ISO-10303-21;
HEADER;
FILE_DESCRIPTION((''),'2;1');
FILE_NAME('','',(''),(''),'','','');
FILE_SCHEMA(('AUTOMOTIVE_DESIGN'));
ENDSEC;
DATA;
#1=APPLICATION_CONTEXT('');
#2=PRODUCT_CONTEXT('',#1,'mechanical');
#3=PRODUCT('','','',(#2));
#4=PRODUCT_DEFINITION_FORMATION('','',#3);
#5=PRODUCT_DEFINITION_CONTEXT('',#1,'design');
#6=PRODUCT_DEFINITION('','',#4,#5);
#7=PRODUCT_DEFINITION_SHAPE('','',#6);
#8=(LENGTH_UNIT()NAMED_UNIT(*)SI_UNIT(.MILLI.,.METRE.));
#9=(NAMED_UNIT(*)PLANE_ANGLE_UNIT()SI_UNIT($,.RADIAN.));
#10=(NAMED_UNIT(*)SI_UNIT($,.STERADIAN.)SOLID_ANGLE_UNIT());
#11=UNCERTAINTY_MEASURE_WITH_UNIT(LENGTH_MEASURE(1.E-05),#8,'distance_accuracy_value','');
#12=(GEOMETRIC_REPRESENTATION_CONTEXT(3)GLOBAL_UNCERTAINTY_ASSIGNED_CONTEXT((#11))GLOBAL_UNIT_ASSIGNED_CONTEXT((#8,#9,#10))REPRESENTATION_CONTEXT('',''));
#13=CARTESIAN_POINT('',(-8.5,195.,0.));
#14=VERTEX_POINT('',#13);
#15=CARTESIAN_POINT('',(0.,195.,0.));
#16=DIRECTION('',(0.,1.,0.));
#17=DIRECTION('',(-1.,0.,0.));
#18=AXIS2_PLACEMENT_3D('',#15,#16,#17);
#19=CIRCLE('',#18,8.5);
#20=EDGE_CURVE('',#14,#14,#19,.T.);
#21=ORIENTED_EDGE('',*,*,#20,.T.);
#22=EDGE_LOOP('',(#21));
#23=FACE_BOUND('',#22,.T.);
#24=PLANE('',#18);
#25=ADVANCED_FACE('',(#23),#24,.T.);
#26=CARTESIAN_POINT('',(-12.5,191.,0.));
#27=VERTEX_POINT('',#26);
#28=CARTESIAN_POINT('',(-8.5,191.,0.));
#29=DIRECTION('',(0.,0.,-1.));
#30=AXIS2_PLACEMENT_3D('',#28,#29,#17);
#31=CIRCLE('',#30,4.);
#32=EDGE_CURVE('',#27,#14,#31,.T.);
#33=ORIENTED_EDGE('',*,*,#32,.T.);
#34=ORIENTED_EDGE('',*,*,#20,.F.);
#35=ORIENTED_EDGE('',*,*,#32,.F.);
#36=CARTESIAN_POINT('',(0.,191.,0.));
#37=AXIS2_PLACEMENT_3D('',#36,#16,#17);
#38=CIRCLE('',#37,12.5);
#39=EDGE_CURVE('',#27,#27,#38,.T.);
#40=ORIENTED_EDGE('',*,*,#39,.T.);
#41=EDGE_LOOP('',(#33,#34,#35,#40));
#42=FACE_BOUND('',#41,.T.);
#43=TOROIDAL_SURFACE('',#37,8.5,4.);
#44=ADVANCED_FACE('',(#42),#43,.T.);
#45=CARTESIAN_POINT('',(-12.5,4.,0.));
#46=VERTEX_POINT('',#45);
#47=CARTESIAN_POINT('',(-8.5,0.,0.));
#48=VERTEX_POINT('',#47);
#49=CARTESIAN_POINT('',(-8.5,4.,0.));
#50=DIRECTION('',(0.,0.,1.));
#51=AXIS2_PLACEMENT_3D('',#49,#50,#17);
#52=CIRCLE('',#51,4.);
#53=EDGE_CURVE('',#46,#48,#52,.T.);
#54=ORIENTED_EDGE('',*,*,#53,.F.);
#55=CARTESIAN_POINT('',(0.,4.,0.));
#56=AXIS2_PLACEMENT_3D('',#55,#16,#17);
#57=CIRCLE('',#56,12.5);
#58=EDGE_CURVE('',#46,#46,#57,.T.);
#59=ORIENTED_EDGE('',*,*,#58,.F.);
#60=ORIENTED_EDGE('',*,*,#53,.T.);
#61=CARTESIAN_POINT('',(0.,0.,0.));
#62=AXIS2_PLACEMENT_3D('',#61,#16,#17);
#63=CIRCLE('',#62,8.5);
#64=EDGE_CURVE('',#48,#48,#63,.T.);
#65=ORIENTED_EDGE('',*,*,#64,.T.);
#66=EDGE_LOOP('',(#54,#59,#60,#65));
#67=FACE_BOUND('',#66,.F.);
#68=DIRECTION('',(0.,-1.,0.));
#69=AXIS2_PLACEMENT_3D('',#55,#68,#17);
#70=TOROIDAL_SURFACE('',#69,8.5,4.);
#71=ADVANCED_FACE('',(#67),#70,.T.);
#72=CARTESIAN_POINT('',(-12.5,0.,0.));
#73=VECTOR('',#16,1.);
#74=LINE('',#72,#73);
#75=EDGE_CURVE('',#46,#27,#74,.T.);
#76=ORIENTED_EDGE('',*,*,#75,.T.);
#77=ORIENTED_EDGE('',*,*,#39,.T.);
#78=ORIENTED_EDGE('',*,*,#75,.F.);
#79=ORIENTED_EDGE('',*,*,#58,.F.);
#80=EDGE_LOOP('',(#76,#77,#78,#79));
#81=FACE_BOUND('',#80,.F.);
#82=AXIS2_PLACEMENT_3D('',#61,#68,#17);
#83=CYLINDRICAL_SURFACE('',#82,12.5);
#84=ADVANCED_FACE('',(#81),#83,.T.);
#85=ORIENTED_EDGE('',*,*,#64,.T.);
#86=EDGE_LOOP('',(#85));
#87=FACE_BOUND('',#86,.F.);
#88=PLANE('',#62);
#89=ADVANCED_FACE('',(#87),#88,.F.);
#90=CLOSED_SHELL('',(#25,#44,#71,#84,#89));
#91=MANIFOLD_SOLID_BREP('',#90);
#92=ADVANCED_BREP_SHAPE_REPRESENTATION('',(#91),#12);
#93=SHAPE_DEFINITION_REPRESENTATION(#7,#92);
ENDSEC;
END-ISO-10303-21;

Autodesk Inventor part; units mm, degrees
ref_plane "YZ Plane" through (0, 0, 0) normal (1, 0, 0) x (0, 1, 0)
ref_plane "XZ Plane" through (0, 0, 0) normal (0, 1, 0) x (-1, 0, 0)
ref_plane "XY Plane" through (0, 0, 0) normal (0, 0, 1) x (1, 0, 0)
sketch "Sketch1" plane through (0, 0, 0) normal (0, 1, 0) x (-1, 0, 0)
  circle A0 centre (0, 0) radius 12.5
  dimension "d0" = 25
extrude "Extrusion1" add sketch "Sketch1" along normal blind 195
fillet "Fillet1" radius 4 2 edges at (12.5, 0, 0) (12.5, 195, 0)
properties part number "TestRod" material "Steel, Carbon"
